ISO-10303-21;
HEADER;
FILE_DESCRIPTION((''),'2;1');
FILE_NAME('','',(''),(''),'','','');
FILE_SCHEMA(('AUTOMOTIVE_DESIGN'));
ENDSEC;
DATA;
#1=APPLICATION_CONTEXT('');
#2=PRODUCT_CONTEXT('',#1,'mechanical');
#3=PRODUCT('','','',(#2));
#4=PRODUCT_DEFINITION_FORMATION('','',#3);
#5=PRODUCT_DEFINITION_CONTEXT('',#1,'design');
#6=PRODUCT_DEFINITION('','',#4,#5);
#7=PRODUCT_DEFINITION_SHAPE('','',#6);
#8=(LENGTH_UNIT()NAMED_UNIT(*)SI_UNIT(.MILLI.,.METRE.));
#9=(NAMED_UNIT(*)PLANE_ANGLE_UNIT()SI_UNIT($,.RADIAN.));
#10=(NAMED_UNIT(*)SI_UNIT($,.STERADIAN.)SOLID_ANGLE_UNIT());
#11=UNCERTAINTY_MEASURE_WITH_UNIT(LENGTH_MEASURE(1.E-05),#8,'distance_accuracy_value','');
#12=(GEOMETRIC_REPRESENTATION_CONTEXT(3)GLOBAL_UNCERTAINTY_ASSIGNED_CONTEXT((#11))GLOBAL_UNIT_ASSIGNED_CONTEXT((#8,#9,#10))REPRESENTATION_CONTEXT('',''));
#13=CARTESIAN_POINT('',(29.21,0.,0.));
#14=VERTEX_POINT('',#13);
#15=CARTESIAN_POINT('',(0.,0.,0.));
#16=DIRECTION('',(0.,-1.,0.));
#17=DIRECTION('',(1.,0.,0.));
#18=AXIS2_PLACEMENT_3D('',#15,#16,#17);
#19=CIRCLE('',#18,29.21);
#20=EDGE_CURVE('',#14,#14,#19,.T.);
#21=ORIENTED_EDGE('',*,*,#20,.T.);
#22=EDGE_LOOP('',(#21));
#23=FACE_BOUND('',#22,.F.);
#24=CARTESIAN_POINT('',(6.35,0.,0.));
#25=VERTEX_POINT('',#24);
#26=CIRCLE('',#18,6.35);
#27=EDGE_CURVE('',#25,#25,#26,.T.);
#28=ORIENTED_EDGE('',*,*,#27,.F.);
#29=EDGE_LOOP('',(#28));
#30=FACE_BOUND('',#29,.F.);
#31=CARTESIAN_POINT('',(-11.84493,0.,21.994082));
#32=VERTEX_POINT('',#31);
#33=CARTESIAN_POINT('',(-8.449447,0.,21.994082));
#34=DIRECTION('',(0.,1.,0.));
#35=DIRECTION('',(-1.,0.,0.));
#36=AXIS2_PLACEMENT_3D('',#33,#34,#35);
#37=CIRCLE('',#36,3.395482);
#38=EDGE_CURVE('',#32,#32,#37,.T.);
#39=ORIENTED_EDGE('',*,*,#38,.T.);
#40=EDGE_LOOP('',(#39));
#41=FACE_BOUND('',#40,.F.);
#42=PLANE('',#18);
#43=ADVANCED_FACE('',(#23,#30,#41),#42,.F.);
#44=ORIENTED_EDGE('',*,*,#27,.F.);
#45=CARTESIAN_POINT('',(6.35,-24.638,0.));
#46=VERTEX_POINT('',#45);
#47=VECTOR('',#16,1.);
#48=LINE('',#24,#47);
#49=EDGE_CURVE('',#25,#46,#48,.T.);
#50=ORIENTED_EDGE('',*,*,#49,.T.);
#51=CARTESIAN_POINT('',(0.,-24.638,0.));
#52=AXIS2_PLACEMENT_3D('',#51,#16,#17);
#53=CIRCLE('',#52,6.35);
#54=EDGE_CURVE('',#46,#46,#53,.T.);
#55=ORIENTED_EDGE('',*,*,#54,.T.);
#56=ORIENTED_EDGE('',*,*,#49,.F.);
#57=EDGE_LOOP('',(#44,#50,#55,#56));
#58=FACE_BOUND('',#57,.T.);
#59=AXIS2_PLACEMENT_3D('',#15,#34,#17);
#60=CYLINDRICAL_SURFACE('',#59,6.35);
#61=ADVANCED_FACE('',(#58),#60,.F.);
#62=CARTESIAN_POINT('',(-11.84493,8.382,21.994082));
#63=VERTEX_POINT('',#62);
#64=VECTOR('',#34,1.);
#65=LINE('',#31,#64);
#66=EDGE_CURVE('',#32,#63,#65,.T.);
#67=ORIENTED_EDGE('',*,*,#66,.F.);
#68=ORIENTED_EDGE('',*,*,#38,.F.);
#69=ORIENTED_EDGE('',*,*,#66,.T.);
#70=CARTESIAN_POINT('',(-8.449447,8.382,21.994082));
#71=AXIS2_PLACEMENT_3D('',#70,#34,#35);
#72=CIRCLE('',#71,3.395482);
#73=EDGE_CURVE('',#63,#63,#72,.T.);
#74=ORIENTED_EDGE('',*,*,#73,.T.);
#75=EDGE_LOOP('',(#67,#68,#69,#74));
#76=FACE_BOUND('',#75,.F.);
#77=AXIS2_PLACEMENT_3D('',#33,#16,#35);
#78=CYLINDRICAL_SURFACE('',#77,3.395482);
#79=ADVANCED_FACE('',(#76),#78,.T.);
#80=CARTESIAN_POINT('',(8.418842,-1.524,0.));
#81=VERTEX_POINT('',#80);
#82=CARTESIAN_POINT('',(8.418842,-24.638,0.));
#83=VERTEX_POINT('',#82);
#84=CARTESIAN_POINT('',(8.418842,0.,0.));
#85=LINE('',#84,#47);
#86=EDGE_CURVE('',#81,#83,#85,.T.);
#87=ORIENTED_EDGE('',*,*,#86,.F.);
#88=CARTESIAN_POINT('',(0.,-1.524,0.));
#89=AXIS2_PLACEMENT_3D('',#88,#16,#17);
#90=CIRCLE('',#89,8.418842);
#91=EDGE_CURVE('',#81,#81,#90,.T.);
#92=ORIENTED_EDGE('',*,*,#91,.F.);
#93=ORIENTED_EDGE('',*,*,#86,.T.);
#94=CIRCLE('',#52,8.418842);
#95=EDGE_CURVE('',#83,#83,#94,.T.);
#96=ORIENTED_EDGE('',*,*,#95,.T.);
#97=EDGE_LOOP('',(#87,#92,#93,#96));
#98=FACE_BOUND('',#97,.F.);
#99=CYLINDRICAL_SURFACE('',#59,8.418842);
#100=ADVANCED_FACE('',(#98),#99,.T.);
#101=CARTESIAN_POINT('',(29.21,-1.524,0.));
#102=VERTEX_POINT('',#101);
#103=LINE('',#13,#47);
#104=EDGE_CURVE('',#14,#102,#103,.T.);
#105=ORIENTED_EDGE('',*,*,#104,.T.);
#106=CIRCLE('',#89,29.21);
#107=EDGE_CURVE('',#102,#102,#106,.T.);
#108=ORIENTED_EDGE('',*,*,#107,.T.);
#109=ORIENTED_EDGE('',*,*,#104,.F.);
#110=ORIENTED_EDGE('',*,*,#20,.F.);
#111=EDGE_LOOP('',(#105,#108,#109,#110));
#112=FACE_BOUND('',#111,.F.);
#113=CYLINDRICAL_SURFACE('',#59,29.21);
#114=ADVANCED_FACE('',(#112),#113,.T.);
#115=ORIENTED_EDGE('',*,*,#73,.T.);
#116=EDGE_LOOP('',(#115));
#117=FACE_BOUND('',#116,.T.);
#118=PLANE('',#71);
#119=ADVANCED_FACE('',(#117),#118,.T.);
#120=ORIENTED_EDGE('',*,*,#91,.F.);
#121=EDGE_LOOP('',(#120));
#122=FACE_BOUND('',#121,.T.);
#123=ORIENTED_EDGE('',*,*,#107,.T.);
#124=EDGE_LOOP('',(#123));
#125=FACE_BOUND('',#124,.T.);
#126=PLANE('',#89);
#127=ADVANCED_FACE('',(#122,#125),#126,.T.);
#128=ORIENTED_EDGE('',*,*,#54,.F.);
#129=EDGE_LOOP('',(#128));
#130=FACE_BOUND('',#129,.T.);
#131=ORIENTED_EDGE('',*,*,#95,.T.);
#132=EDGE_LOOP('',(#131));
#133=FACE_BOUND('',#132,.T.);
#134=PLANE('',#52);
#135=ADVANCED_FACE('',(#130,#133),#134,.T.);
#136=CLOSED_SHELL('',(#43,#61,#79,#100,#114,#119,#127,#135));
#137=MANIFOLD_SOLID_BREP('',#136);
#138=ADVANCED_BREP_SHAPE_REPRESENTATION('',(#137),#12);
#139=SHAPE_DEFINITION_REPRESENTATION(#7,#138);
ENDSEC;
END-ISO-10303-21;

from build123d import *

# Parameters (mm, degrees)
F0_R     = 29.21
F0_R_2   = 8.4188415788
F1_DEPTH = 1.524
F0_R_3   = 6.35
F2_DEPTH = 24.638
F3_R     = 3.3954821981
F4_DEPTH = 8.382


with BuildPart() as f1:
    # F0 (on Front) → F1 (new body)
    with BuildSketch(Plane.XZ):
        Circle(F0_R)
        Circle(F0_R_2, mode=Mode.SUBTRACT)
    extrude(amount=F1_DEPTH)

    # F0 (on Front) → F2 (join)
    with BuildSketch(Plane.XZ):
        Circle(F0_R_2)
        Circle(F0_R_3, mode=Mode.SUBTRACT)
    extrude(amount=F2_DEPTH)

    # F3 (on face) → F4 (join)
    with BuildSketch(Plane(origin=(0, 0, 0), x_dir=(-1, 0, 0), z_dir=(0, 1, 0))):
        with Locations((8.4494473413, 21.9940822572)):
            Circle(F3_R)
    extrude(amount=F4_DEPTH)


solid = f1.part
